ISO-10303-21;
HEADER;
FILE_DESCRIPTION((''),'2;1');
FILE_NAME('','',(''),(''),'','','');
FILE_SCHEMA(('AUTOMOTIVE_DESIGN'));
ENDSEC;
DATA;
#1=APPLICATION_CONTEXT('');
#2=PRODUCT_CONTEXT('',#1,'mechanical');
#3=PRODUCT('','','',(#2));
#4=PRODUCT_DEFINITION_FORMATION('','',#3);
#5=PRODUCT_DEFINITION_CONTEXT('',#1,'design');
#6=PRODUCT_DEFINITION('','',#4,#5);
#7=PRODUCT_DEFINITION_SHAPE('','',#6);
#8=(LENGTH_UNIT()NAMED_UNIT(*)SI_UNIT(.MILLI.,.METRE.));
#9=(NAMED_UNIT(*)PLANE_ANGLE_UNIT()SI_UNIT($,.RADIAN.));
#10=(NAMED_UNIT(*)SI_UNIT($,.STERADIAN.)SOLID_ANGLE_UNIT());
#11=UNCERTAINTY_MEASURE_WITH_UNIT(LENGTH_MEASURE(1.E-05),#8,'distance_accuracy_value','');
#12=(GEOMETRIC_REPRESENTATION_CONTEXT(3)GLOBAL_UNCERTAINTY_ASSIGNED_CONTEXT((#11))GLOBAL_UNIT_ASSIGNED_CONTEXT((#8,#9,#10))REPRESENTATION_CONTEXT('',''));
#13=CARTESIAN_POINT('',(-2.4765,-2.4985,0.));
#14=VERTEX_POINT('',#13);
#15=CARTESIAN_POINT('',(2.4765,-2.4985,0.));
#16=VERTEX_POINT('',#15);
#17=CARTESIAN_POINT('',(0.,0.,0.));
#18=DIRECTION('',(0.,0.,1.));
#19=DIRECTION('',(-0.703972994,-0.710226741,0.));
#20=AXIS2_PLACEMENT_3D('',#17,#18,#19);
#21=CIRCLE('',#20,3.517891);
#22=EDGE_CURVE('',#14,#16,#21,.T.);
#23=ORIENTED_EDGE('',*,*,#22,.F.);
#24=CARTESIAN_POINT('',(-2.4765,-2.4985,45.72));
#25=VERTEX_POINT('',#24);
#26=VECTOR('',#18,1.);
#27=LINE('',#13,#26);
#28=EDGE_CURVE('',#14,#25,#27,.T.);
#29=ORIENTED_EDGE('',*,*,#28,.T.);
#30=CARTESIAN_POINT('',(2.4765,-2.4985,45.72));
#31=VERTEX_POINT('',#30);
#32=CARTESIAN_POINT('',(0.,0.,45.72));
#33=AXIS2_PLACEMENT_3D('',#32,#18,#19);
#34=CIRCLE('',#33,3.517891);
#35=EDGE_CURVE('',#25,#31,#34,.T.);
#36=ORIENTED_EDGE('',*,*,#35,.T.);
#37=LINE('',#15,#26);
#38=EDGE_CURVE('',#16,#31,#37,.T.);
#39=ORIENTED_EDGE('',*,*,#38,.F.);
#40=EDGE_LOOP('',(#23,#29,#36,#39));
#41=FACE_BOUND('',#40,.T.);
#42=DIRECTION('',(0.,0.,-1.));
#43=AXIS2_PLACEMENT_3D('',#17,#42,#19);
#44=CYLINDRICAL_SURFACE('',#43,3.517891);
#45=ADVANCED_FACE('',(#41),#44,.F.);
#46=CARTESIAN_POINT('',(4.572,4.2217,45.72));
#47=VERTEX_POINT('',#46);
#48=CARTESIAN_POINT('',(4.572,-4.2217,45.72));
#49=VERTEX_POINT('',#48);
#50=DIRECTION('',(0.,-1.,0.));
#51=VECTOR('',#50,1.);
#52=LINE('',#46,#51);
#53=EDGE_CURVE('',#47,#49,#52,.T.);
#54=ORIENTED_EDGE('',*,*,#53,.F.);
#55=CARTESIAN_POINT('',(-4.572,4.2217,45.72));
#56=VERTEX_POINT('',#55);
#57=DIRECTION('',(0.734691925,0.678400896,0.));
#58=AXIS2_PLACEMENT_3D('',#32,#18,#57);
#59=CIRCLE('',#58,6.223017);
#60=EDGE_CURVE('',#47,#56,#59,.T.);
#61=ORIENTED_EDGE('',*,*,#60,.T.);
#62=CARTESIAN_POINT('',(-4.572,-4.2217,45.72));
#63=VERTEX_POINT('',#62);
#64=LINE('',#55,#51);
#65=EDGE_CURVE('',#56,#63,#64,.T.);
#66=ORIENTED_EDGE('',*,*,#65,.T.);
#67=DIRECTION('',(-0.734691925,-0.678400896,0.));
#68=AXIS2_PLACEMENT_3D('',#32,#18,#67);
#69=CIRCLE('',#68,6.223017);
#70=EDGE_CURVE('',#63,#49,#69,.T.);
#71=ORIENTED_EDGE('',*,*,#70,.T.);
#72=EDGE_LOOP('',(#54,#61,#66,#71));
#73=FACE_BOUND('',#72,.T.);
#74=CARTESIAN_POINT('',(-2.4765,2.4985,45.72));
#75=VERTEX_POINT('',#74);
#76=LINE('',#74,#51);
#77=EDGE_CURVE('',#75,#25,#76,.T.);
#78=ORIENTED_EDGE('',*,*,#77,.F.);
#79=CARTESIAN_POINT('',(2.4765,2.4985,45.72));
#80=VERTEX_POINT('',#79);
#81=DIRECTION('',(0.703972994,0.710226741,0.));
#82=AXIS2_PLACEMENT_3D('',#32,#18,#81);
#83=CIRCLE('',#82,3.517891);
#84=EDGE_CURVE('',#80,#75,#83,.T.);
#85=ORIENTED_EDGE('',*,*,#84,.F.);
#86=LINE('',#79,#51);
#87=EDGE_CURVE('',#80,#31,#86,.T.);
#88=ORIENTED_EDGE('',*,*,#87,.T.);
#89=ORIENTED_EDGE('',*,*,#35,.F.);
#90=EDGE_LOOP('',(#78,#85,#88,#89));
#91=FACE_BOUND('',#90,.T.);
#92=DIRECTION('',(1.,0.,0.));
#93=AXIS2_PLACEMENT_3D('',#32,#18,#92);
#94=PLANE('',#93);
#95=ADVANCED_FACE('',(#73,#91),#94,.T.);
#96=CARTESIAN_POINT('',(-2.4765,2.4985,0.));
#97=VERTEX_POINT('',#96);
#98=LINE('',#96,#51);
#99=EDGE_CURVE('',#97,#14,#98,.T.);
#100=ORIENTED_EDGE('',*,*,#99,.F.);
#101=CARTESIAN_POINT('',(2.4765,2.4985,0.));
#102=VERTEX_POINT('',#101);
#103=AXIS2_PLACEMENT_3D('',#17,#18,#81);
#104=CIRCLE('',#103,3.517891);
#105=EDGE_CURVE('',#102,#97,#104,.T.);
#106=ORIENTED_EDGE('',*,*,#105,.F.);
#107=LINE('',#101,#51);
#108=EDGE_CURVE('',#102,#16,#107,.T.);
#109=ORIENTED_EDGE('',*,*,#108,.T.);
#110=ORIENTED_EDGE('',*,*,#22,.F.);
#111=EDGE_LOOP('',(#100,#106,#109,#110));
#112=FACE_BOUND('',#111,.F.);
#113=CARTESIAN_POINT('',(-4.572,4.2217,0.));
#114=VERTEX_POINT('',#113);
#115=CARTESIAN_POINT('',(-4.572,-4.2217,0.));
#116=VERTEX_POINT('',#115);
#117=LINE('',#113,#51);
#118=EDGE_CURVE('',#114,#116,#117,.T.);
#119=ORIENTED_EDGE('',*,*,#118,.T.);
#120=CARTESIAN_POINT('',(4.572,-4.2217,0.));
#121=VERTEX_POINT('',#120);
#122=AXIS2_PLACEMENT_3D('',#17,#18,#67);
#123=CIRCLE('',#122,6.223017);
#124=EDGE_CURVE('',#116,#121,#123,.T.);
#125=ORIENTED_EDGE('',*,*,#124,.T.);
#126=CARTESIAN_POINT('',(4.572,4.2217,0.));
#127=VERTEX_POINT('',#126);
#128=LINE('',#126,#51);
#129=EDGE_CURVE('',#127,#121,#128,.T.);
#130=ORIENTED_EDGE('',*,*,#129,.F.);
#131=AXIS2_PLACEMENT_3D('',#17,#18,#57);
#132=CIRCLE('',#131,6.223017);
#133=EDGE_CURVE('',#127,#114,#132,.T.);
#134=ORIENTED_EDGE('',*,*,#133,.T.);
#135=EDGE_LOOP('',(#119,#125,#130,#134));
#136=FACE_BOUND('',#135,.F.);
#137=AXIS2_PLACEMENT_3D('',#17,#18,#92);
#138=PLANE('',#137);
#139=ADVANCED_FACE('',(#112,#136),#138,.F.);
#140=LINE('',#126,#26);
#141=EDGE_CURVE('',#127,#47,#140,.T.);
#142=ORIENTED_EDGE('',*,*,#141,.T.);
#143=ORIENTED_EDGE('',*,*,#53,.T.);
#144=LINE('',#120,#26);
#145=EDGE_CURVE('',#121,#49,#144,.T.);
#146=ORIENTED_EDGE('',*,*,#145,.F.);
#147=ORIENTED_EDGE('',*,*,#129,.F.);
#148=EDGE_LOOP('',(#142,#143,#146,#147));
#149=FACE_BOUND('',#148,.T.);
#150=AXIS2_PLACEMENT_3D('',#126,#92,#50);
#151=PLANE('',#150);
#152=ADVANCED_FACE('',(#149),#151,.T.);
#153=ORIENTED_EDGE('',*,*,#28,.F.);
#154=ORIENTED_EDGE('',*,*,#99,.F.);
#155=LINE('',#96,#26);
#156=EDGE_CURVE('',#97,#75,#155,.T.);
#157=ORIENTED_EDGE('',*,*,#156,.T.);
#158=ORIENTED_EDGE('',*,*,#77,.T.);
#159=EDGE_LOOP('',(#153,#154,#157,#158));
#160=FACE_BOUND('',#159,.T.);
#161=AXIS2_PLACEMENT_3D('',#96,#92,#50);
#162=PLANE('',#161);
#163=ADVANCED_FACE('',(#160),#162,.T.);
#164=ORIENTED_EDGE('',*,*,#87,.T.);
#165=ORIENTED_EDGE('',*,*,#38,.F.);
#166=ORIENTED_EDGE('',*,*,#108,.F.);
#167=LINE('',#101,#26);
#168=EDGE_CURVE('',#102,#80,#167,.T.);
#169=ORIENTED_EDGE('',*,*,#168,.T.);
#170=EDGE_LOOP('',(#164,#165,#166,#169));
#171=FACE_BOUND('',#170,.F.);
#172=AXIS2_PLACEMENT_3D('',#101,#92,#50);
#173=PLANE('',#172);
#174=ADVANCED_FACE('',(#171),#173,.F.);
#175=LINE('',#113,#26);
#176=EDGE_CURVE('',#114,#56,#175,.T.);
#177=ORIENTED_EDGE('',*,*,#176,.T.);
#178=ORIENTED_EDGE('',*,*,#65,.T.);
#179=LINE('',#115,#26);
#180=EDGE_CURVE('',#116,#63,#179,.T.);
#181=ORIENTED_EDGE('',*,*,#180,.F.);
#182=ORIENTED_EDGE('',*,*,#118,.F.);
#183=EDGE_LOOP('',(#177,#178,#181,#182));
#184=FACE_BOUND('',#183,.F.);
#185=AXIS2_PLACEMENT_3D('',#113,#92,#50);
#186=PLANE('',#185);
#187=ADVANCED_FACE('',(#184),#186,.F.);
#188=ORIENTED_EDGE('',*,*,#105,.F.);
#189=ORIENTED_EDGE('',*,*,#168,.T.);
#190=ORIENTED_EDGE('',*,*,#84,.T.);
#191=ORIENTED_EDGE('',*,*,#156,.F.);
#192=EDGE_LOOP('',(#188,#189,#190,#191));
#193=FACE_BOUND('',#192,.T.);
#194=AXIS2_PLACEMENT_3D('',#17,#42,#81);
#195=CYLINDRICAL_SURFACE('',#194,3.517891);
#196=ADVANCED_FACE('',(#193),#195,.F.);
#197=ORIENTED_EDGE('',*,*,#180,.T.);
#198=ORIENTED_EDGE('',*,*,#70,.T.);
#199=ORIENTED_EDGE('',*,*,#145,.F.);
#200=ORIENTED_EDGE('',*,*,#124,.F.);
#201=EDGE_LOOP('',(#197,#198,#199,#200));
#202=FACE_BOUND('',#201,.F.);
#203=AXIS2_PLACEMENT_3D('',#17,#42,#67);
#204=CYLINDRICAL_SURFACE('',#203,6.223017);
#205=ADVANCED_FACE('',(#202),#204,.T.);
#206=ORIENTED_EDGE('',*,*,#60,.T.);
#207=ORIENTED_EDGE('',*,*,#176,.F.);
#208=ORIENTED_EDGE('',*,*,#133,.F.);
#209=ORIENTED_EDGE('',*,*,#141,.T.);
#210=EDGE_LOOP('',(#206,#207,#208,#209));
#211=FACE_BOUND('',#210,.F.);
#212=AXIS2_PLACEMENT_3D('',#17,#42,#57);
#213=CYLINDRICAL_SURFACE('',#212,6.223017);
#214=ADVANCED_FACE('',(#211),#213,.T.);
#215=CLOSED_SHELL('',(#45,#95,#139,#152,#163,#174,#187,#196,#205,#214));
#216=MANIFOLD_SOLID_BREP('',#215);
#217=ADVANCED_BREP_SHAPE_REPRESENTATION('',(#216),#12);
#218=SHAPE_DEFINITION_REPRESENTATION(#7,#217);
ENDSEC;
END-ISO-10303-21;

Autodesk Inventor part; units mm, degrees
ref_plane "YZ Plane" through (0, 0, 0) normal (1, 0, 0) x (0, 1, 0)
ref_plane "XZ Plane" through (0, 0, 0) normal (0, 1, 0) x (-1, 0, 0)
ref_plane "XY Plane" through (0, 0, 0) normal (0, 0, 1) x (1, 0, 0)
sketch "Sketch1" plane through (0, 0, 0) normal (0, 0, 1) x (1, 0, 0)
  line L0 (2.4765, 2.4985) -> (2.4765, -2.4985)
  line L1 (-2.4765, 2.4985) -> (-2.4765, -2.4985)
  arc A0 (-2.4765, -2.4985) -> (2.4765, -2.4985) centre (0, 0) ccw
  arc A1 (2.4765, 2.4985) -> (-2.4765, 2.4985) centre (0, 0) ccw
  line L2 (4.572, 4.2217) -> (4.572, -4.2217)
  line L3 (-4.572, 4.2217) -> (-4.572, -4.2217)
  arc A2 (-4.572, -4.2217) -> (4.572, -4.2217) centre (0, 0) ccw
  arc A3 (4.572, 4.2217) -> (-4.572, 4.2217) centre (0, 0) ccw
  dimension "d2" = 2.4765
  dimension "d3" = 4.953
  dimension "d6" = 4.572
  dimension "d7" = 9.144
  dimension "d8" = 3.5179
  dimension "d9" = 3.5179
  dimension "d10" = 6.223
  dimension "d11" = 6.223
extrude "Extrusion1" add sketch "Sketch1" along normal blind 45.72
equation "\"d2\" = 0.5 * d3"
equation "\"d6\" = 0.5 * d7"
properties part number "Motor Shaft Extension"
